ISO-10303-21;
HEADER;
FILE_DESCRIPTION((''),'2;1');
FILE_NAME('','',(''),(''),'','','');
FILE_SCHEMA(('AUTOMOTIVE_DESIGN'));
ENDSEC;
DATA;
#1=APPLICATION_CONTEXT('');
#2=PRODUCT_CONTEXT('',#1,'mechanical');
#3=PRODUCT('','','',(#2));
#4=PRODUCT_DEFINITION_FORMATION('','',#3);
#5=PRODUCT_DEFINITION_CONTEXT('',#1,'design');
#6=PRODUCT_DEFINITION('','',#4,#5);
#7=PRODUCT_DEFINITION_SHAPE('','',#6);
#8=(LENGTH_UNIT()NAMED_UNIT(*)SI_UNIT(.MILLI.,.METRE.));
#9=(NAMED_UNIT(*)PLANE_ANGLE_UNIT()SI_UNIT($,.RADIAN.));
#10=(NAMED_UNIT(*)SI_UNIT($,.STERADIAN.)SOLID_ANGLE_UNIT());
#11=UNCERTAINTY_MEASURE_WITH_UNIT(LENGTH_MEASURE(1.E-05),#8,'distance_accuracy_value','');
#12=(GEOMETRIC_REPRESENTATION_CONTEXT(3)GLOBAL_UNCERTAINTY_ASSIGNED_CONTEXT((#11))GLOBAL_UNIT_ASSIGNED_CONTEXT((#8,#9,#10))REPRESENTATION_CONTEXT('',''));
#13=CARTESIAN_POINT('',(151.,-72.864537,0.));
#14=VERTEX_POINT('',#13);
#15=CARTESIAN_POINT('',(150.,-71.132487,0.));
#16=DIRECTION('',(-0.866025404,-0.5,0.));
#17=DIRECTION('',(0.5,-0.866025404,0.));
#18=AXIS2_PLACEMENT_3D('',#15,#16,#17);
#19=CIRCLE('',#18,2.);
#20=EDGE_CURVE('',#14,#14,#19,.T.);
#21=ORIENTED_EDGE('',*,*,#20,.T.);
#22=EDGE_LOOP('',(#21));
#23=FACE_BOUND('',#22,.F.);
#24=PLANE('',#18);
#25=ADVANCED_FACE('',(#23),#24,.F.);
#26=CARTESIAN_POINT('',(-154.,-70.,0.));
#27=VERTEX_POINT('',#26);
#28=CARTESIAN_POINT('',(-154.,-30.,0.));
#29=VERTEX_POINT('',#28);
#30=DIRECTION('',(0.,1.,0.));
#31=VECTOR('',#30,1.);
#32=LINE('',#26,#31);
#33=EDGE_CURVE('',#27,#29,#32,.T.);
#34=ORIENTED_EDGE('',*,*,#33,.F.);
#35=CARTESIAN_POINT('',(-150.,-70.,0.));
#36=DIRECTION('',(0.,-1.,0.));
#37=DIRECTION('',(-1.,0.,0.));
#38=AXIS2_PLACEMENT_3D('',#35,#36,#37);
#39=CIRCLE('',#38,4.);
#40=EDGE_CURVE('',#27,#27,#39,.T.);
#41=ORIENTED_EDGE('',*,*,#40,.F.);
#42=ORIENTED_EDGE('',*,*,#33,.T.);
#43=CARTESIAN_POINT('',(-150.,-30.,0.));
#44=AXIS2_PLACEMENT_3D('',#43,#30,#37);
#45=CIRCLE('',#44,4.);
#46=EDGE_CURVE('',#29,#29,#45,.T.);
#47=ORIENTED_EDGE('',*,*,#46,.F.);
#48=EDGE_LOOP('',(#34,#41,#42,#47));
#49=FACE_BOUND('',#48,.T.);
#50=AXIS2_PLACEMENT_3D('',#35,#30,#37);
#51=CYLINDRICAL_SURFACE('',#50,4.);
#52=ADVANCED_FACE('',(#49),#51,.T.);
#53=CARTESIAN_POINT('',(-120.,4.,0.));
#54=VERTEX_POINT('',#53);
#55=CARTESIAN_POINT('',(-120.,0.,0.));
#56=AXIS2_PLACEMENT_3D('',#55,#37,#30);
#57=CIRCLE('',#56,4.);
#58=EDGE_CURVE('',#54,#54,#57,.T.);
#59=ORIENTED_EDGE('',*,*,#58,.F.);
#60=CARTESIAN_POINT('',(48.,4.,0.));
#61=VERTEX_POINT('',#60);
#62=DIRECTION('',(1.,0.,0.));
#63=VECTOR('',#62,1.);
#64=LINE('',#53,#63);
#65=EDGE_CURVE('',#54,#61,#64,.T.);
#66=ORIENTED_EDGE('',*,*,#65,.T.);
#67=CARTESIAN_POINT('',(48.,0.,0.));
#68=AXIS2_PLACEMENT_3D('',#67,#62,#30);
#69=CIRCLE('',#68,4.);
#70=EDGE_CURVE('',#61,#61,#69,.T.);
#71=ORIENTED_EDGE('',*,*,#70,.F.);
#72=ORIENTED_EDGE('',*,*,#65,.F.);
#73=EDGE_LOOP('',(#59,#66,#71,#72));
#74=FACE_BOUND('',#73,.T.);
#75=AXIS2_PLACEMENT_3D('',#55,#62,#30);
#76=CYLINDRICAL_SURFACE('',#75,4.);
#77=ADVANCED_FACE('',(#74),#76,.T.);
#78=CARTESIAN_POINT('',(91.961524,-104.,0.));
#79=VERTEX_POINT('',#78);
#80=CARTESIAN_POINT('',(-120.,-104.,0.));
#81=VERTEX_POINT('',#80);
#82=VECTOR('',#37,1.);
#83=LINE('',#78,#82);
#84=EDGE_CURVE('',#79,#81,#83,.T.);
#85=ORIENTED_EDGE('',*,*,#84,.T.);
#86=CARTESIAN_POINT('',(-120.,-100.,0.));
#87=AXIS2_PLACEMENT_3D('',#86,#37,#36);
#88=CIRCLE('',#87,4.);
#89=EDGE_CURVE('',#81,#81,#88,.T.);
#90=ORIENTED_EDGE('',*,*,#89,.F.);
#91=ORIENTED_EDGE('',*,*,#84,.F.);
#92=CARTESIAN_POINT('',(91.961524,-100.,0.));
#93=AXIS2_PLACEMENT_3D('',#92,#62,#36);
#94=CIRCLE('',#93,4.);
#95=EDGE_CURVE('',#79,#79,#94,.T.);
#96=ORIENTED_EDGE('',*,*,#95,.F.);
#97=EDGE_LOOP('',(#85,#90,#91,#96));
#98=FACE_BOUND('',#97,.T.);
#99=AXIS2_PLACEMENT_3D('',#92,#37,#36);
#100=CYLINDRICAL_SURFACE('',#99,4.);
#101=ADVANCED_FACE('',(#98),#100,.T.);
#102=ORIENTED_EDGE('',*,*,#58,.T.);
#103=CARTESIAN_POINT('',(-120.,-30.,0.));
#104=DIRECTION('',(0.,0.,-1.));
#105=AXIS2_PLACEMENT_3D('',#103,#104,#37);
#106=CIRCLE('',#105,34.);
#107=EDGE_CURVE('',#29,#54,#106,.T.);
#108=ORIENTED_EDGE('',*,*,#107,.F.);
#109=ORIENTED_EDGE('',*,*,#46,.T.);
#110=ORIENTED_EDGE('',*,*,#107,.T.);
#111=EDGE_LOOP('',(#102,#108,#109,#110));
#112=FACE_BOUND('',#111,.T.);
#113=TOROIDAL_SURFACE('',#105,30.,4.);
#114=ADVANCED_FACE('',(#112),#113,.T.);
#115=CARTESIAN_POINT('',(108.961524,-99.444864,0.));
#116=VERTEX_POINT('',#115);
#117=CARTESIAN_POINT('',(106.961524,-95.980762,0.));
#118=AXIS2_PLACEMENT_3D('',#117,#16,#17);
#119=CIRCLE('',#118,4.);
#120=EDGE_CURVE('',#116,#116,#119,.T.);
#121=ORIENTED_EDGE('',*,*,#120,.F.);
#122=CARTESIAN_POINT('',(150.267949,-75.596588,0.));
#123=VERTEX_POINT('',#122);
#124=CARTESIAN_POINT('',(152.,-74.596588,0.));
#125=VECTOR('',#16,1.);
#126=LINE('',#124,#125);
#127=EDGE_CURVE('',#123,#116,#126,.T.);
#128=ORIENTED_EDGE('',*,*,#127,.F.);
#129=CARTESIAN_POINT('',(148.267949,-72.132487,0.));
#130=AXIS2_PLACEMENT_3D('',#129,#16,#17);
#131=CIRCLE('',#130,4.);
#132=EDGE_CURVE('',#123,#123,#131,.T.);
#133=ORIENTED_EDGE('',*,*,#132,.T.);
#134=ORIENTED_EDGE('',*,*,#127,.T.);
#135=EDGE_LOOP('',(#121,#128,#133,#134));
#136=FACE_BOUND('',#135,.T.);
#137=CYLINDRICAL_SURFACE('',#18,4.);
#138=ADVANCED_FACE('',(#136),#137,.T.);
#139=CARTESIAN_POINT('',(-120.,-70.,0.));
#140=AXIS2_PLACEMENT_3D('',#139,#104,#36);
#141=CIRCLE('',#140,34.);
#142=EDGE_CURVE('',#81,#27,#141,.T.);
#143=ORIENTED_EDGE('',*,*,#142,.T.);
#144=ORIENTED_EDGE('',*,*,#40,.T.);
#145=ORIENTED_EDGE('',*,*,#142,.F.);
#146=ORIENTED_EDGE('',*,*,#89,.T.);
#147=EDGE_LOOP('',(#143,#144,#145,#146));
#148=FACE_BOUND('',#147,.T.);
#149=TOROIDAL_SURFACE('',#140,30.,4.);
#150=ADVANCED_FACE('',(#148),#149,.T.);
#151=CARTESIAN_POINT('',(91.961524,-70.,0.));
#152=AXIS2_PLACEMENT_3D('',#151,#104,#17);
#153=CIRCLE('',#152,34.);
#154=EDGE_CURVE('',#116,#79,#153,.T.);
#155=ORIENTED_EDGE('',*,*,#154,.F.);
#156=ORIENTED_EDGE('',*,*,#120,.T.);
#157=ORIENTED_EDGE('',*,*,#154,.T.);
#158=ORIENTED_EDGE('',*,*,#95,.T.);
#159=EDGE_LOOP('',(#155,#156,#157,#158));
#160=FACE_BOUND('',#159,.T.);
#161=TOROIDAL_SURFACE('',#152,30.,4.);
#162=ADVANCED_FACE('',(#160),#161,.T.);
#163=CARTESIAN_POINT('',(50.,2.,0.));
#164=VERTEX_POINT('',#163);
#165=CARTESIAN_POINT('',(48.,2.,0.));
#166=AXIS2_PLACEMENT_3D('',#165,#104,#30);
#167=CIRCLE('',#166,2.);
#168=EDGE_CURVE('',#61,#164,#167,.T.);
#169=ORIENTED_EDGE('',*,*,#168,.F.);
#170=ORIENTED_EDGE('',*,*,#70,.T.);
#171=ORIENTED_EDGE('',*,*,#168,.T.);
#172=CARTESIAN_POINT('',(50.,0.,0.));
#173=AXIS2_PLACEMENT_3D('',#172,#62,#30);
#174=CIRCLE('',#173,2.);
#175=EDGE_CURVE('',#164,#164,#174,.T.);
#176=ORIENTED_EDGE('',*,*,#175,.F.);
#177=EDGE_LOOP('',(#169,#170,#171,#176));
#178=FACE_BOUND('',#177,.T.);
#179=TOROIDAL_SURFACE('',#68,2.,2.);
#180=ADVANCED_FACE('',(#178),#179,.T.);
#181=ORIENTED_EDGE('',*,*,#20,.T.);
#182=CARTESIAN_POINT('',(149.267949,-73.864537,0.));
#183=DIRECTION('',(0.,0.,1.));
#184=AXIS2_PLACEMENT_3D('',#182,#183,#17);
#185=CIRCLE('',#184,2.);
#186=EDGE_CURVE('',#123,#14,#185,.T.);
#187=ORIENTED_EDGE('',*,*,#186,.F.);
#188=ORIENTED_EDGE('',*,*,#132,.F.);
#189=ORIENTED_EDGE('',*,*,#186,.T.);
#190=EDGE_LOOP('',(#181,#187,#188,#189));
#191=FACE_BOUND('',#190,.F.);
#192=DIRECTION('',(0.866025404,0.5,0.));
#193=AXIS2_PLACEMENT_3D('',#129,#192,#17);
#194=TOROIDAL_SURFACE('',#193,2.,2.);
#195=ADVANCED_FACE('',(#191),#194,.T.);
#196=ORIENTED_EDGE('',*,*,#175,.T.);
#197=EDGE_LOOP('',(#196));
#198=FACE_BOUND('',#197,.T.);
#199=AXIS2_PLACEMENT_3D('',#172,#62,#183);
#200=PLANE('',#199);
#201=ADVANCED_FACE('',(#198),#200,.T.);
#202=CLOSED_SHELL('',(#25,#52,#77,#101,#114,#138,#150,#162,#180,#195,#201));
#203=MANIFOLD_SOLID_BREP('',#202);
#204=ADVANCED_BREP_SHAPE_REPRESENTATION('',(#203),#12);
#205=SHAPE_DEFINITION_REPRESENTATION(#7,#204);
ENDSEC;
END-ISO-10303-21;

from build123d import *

# Parameters (mm, degrees)
SWEEP1_PROFILE_R = 4
FILLET1_R        = 2


with BuildPart() as part:
    # Sweep1: sweep along a path in Sketch1
    with BuildLine(Plane.XY) as sweep1_path:
        Line((150, -71.132486541), (106.961524227, -95.980762114))
        ThreePointArc((106.961524227, -95.980762114), (99.72609558, -98.977774789), (91.961524227, -100))
        Line((91.961524227, -100), (-120, -100))
        ThreePointArc((-120, -100), (-141.213203436, -91.213203436), (-150, -70))
        Line((-150, -70), (-150, -30))
        ThreePointArc((-150, -30), (-141.213203436, -8.786796564), (-120, 0))
        Line((-120, 0), (0, 0))
        Line((0, 0), (50, 0))
    # Sweep1 profile (on start of the path) → Sweep1 (sweep)
    with BuildSketch(Plane(origin=(150, -71.132486541, 0), x_dir=(0.5, -0.866025404, 0), z_dir=(-0.866025404, -0.5, 0))):
        Circle(SWEEP1_PROFILE_R)
    sweep(path=sweep1_path.line)

    # Fillet1
    fillet1_edges = [part.edges().sort_by_distance(p)[0] for p in [
        (148, -67.668384925, 0),
        (50, -4, 0),
    ]]
    fillet(fillet1_edges, radius=FILLET1_R)


solid = part.part
